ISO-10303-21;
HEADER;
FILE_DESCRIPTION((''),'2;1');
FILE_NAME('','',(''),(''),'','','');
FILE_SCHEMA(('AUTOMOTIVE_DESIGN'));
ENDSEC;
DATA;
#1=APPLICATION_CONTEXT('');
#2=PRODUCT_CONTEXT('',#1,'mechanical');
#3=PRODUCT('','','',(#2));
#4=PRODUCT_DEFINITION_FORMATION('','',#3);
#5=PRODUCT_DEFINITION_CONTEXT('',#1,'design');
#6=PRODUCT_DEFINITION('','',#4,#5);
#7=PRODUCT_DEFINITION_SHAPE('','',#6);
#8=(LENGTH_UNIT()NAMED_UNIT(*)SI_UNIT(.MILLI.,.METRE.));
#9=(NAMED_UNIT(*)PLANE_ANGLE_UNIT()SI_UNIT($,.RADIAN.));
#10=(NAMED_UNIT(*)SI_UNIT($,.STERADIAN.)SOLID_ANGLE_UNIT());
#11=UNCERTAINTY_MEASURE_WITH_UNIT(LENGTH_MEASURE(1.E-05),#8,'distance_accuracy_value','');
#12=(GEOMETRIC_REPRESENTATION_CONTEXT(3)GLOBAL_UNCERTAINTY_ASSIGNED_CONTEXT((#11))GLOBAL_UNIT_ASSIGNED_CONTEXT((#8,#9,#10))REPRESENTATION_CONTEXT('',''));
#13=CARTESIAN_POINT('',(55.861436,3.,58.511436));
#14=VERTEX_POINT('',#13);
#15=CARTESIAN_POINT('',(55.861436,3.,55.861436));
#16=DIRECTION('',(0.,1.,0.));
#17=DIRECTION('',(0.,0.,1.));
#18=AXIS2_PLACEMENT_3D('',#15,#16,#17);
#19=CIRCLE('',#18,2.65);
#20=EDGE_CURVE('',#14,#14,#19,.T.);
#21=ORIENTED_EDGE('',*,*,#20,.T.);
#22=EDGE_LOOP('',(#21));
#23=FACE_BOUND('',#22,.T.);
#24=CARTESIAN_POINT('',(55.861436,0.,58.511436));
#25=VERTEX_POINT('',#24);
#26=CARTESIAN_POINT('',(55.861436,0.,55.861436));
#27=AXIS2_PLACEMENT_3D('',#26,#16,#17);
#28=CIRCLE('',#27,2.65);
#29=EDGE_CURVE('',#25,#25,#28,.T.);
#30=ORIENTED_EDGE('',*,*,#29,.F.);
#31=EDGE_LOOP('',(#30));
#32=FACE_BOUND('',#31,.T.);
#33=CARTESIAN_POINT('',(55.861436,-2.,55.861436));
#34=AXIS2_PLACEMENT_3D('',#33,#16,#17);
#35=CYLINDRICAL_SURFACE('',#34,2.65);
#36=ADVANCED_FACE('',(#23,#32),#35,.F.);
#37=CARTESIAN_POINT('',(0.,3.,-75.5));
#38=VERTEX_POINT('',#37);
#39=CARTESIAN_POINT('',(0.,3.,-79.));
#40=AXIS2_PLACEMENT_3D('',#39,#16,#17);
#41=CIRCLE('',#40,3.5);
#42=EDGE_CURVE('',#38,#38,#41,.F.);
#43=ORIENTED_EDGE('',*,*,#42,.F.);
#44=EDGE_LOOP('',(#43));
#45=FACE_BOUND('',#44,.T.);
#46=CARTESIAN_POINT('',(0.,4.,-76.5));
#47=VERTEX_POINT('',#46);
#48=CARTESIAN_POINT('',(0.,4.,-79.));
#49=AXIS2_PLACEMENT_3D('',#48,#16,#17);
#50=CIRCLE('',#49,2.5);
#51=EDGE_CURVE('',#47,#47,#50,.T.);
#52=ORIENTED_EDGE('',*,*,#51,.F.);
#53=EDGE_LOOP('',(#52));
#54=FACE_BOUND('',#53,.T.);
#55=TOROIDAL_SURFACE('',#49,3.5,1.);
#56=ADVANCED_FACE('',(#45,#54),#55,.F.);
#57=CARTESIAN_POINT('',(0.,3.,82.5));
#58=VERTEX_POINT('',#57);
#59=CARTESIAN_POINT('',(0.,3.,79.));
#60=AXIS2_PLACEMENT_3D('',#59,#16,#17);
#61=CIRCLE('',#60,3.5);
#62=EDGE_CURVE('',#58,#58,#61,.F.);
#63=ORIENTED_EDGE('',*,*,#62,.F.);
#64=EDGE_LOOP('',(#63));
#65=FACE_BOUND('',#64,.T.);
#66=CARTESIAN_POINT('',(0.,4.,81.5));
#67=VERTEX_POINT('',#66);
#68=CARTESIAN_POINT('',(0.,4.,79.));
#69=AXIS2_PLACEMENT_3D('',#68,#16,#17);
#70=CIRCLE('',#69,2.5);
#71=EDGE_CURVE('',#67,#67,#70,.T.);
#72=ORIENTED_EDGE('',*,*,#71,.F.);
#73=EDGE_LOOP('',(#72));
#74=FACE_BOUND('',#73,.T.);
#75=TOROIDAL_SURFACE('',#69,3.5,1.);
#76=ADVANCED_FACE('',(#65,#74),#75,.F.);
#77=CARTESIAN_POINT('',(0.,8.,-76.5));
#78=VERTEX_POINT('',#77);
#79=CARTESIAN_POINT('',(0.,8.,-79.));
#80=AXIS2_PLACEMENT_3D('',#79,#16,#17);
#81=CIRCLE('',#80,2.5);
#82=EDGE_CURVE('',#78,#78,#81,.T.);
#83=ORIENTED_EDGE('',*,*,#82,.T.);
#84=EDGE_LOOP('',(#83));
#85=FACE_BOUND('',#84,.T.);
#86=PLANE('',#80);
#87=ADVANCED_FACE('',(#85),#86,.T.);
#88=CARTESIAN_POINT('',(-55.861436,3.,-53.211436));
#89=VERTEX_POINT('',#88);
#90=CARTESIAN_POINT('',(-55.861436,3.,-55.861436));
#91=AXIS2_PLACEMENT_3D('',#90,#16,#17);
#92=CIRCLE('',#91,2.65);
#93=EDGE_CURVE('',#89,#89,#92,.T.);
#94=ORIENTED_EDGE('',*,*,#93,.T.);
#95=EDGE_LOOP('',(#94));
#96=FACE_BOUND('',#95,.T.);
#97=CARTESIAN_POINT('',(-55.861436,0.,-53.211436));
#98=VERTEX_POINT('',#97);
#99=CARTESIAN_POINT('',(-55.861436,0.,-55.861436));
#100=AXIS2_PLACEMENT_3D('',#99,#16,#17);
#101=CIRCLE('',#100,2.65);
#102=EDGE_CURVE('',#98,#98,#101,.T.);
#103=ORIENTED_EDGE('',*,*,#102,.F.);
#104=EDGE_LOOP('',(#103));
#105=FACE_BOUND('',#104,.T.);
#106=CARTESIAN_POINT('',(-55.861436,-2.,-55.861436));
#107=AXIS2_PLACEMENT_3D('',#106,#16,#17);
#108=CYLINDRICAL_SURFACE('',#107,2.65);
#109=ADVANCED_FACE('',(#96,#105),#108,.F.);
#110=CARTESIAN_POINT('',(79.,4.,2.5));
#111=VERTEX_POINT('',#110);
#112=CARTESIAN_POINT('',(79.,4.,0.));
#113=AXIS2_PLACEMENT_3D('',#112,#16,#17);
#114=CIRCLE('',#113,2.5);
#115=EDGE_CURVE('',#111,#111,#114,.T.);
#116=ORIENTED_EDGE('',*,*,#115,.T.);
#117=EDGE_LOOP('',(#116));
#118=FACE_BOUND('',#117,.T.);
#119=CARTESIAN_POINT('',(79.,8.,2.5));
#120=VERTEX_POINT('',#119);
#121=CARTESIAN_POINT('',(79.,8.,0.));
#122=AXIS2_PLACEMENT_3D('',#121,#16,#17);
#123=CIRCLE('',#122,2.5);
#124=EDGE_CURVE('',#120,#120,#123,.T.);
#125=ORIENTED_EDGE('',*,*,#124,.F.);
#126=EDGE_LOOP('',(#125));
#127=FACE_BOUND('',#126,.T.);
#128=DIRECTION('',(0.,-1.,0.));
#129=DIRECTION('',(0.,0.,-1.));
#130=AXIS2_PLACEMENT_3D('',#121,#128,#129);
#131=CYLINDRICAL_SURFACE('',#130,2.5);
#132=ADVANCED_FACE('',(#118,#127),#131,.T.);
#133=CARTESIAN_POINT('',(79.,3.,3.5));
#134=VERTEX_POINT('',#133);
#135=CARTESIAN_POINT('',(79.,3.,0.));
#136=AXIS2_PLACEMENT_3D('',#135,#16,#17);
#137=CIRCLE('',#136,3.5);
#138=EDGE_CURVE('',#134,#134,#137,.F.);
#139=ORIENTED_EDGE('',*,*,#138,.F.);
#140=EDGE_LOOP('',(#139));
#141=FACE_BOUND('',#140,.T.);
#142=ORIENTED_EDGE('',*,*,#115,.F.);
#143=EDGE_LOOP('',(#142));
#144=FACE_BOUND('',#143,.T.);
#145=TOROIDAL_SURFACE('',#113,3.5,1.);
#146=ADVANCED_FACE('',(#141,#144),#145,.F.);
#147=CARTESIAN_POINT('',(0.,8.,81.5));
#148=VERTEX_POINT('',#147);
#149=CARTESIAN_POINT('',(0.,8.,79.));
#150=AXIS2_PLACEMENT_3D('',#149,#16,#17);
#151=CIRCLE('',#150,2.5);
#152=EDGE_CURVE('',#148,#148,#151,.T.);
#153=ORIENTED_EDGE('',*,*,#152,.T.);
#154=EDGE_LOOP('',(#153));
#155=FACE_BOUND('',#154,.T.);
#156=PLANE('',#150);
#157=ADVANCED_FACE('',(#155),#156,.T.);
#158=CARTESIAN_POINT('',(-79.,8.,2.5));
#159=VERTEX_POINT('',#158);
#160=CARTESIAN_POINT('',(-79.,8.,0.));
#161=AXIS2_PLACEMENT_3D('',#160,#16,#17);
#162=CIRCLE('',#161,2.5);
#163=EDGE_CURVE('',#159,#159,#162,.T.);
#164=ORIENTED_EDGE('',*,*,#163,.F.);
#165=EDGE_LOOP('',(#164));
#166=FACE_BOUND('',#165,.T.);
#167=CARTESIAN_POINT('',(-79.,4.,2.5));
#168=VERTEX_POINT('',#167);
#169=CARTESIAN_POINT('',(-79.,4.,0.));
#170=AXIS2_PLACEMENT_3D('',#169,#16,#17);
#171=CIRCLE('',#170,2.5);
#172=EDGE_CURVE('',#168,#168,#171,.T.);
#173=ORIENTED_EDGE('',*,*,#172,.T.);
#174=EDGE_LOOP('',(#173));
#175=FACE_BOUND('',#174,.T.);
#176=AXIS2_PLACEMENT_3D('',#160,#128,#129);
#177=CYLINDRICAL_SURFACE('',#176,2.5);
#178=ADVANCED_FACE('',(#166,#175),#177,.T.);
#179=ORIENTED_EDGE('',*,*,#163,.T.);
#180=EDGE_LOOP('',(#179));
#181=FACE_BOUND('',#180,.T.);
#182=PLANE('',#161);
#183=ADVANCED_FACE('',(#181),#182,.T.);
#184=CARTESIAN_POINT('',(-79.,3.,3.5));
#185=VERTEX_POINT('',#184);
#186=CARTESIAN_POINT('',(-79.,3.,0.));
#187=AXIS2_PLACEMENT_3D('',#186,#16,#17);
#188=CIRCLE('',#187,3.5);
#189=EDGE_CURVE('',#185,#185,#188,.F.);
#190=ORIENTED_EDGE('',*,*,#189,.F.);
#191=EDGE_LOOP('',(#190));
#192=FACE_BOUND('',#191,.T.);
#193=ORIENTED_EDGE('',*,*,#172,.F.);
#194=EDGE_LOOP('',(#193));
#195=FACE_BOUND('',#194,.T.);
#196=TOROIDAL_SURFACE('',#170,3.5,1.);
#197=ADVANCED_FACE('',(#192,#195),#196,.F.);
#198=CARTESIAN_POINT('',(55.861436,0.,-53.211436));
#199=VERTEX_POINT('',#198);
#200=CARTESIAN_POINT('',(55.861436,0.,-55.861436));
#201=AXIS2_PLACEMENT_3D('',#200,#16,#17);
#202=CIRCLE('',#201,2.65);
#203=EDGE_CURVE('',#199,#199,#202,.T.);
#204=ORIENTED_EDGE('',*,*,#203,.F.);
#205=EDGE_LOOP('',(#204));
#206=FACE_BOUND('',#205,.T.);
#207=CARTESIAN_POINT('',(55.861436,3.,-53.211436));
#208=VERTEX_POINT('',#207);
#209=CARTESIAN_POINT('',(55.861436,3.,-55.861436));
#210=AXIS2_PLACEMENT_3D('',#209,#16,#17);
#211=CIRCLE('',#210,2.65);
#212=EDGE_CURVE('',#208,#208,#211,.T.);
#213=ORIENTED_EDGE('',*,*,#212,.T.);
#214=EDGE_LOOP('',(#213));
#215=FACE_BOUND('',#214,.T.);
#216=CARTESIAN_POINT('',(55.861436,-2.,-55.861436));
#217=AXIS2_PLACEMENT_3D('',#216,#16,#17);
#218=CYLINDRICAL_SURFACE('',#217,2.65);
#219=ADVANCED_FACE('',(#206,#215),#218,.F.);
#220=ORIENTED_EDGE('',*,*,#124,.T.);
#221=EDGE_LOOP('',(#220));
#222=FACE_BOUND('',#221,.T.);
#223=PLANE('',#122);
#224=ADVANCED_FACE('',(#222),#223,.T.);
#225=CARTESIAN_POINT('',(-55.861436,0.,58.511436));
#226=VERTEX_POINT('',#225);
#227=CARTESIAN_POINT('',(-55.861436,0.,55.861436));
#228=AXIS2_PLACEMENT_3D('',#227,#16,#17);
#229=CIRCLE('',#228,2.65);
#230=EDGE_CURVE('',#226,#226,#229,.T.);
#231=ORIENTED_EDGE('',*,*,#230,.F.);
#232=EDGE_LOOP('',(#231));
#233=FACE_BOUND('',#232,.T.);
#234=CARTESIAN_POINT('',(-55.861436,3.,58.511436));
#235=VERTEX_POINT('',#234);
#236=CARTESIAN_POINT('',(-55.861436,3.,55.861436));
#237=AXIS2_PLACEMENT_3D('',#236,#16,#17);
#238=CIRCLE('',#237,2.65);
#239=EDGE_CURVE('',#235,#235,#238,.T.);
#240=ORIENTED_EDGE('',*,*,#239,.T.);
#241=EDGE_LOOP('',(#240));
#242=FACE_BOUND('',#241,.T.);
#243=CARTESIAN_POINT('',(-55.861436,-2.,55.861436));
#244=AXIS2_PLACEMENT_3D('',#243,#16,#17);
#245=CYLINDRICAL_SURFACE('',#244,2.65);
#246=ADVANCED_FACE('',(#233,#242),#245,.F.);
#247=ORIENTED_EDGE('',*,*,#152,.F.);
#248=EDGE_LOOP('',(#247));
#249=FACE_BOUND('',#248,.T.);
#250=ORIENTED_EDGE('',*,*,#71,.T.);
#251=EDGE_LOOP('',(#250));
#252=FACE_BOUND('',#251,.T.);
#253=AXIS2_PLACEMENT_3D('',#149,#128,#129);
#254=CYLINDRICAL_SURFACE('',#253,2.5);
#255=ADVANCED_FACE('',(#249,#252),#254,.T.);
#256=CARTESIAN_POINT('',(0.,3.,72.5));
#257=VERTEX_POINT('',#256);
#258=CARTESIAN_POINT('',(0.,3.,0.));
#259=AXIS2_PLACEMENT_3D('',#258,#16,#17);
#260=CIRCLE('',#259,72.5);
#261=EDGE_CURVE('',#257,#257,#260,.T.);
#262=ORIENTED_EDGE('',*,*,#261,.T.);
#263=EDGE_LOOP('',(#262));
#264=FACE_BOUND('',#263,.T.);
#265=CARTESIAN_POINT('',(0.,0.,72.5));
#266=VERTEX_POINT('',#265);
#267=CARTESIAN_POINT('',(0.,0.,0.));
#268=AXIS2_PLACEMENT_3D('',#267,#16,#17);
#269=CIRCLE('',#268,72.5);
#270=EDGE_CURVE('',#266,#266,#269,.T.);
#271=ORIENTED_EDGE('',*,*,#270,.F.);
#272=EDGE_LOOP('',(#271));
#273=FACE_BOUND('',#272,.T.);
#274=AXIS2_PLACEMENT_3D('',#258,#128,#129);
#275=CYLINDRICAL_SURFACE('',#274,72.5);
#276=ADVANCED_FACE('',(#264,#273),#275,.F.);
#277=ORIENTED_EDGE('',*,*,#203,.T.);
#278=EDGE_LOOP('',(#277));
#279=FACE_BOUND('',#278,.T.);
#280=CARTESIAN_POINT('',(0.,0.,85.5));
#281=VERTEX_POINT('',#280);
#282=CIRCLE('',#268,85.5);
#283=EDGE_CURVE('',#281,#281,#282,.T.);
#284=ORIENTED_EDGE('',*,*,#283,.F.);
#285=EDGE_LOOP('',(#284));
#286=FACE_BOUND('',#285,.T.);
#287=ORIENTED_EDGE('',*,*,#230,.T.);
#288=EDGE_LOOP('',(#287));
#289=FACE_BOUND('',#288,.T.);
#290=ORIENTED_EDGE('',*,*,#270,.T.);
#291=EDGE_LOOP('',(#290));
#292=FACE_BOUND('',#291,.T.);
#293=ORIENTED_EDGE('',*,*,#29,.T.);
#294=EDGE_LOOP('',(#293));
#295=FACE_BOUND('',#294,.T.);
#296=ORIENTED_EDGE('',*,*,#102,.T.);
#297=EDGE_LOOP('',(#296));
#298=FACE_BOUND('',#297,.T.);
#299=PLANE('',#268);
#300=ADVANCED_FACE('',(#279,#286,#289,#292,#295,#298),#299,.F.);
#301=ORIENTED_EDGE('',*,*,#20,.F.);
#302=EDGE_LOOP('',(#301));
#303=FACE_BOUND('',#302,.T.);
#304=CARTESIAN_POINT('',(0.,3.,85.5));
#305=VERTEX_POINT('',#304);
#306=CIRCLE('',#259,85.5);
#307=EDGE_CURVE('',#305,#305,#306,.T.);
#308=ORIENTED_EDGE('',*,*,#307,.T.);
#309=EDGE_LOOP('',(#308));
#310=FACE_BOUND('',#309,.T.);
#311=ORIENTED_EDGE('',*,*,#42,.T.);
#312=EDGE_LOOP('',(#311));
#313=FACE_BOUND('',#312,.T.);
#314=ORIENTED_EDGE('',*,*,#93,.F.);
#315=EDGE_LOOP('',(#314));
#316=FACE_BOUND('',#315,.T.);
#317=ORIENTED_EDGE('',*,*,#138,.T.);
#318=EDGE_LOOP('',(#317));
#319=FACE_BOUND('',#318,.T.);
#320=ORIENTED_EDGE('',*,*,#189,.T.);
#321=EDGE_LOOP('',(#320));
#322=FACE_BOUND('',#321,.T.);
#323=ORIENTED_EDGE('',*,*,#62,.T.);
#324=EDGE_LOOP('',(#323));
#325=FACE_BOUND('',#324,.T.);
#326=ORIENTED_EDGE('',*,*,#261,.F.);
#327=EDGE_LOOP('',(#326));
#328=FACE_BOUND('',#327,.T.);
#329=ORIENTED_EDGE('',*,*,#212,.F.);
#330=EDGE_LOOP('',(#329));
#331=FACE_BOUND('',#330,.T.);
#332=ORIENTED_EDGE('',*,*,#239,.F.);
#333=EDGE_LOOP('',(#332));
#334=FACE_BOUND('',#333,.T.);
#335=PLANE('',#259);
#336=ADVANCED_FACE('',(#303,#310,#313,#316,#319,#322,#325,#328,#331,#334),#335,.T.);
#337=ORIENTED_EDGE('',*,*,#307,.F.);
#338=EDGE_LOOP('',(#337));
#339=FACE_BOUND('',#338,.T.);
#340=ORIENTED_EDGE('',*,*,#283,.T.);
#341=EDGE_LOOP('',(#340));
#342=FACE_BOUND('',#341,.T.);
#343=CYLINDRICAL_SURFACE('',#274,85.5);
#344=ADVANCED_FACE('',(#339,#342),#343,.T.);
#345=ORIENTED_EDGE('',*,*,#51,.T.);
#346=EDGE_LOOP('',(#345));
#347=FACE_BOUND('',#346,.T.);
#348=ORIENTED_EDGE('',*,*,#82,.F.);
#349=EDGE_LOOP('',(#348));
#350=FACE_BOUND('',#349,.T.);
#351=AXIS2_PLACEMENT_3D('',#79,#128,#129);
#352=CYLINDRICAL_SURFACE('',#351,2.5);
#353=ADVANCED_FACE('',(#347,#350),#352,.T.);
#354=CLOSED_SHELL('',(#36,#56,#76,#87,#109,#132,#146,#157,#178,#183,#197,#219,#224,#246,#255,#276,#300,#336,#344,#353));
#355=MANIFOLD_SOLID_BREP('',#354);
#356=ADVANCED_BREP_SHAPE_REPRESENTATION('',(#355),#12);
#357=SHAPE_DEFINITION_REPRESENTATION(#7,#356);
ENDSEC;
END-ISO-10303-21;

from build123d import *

# Parameters (mm, degrees)
SKETCH_1_R          = 85.5
SKETCH_1_R_2        = 72.5
EXTRUDE_1_DEPTH     = 3
SKETCH_2_R          = 2.5
EXTRUDE_4_DEPTH     = 5
FILLET_1_R          = 1
SKETCH_3_R          = 2.65
CUT_EXTRUDE_1_DEPTH = 5


with BuildPart() as part:
    # 草图1 → 凸台-拉伸1 (new body)
    with BuildSketch(Plane(origin=(0, 0, 0), x_dir=(1, 0, 0), z_dir=(0, 1, 0))):
        with Locations(Location((0, 0, 0), (0, 0, 270))):
            Circle(SKETCH_1_R)
        with Locations(Location((0, 0, 0), (0, 0, 270))):
            Circle(SKETCH_1_R_2, mode=Mode.SUBTRACT)
    extrude(amount=EXTRUDE_1_DEPTH)

    # 草图2 → 凸台-拉伸4 (add)
    with BuildSketch(Plane(origin=(0, 3, 0), x_dir=(1, 0, 0), z_dir=(0, 1, 0))):
        with Locations(Location((0, 79, 0), (0, 0, 270))):
            Circle(SKETCH_2_R)
        with Locations(Location((79, 0, 0), (0, 0, 270))):
            Circle(SKETCH_2_R)
        with Locations(Location((0, -79, 0), (0, 0, 270))):
            Circle(SKETCH_2_R)
        with Locations(Location((-79, 0, 0), (0, 0, 270))):
            Circle(SKETCH_2_R)
    extrude(amount=EXTRUDE_4_DEPTH)

    # 圆角1
    fillet_1_edges = [part.edges().sort_by_distance(p)[0] for p in [
        (0, 3, -81.5),
        (-79, 3, -2.5),
        (79, 3, -2.5),
        (0, 3, 76.5),
    ]]
    fillet(fillet_1_edges, radius=FILLET_1_R)

    # 草图3 → 切除-拉伸1 (cut)
    with BuildSketch(Plane(origin=(0, 3, 0), x_dir=(1, 0, 0), z_dir=(0, 1, 0))):
        with Locations(Location((55.861435714, 55.861435714, 0), (0, 0, 270))):
            Circle(SKETCH_3_R)
        with Locations(Location((55.861435714, -55.861435714, 0), (0, 0, 270))):
            Circle(SKETCH_3_R)
        with Locations(Location((-55.861435714, -55.861435714, 0), (0, 0, 270))):
            Circle(SKETCH_3_R)
        with Locations(Location((-55.861435714, 55.861435714, 0), (0, 0, 270))):
            Circle(SKETCH_3_R)
    extrude(amount=-CUT_EXTRUDE_1_DEPTH, mode=Mode.SUBTRACT)


solid = part.part
